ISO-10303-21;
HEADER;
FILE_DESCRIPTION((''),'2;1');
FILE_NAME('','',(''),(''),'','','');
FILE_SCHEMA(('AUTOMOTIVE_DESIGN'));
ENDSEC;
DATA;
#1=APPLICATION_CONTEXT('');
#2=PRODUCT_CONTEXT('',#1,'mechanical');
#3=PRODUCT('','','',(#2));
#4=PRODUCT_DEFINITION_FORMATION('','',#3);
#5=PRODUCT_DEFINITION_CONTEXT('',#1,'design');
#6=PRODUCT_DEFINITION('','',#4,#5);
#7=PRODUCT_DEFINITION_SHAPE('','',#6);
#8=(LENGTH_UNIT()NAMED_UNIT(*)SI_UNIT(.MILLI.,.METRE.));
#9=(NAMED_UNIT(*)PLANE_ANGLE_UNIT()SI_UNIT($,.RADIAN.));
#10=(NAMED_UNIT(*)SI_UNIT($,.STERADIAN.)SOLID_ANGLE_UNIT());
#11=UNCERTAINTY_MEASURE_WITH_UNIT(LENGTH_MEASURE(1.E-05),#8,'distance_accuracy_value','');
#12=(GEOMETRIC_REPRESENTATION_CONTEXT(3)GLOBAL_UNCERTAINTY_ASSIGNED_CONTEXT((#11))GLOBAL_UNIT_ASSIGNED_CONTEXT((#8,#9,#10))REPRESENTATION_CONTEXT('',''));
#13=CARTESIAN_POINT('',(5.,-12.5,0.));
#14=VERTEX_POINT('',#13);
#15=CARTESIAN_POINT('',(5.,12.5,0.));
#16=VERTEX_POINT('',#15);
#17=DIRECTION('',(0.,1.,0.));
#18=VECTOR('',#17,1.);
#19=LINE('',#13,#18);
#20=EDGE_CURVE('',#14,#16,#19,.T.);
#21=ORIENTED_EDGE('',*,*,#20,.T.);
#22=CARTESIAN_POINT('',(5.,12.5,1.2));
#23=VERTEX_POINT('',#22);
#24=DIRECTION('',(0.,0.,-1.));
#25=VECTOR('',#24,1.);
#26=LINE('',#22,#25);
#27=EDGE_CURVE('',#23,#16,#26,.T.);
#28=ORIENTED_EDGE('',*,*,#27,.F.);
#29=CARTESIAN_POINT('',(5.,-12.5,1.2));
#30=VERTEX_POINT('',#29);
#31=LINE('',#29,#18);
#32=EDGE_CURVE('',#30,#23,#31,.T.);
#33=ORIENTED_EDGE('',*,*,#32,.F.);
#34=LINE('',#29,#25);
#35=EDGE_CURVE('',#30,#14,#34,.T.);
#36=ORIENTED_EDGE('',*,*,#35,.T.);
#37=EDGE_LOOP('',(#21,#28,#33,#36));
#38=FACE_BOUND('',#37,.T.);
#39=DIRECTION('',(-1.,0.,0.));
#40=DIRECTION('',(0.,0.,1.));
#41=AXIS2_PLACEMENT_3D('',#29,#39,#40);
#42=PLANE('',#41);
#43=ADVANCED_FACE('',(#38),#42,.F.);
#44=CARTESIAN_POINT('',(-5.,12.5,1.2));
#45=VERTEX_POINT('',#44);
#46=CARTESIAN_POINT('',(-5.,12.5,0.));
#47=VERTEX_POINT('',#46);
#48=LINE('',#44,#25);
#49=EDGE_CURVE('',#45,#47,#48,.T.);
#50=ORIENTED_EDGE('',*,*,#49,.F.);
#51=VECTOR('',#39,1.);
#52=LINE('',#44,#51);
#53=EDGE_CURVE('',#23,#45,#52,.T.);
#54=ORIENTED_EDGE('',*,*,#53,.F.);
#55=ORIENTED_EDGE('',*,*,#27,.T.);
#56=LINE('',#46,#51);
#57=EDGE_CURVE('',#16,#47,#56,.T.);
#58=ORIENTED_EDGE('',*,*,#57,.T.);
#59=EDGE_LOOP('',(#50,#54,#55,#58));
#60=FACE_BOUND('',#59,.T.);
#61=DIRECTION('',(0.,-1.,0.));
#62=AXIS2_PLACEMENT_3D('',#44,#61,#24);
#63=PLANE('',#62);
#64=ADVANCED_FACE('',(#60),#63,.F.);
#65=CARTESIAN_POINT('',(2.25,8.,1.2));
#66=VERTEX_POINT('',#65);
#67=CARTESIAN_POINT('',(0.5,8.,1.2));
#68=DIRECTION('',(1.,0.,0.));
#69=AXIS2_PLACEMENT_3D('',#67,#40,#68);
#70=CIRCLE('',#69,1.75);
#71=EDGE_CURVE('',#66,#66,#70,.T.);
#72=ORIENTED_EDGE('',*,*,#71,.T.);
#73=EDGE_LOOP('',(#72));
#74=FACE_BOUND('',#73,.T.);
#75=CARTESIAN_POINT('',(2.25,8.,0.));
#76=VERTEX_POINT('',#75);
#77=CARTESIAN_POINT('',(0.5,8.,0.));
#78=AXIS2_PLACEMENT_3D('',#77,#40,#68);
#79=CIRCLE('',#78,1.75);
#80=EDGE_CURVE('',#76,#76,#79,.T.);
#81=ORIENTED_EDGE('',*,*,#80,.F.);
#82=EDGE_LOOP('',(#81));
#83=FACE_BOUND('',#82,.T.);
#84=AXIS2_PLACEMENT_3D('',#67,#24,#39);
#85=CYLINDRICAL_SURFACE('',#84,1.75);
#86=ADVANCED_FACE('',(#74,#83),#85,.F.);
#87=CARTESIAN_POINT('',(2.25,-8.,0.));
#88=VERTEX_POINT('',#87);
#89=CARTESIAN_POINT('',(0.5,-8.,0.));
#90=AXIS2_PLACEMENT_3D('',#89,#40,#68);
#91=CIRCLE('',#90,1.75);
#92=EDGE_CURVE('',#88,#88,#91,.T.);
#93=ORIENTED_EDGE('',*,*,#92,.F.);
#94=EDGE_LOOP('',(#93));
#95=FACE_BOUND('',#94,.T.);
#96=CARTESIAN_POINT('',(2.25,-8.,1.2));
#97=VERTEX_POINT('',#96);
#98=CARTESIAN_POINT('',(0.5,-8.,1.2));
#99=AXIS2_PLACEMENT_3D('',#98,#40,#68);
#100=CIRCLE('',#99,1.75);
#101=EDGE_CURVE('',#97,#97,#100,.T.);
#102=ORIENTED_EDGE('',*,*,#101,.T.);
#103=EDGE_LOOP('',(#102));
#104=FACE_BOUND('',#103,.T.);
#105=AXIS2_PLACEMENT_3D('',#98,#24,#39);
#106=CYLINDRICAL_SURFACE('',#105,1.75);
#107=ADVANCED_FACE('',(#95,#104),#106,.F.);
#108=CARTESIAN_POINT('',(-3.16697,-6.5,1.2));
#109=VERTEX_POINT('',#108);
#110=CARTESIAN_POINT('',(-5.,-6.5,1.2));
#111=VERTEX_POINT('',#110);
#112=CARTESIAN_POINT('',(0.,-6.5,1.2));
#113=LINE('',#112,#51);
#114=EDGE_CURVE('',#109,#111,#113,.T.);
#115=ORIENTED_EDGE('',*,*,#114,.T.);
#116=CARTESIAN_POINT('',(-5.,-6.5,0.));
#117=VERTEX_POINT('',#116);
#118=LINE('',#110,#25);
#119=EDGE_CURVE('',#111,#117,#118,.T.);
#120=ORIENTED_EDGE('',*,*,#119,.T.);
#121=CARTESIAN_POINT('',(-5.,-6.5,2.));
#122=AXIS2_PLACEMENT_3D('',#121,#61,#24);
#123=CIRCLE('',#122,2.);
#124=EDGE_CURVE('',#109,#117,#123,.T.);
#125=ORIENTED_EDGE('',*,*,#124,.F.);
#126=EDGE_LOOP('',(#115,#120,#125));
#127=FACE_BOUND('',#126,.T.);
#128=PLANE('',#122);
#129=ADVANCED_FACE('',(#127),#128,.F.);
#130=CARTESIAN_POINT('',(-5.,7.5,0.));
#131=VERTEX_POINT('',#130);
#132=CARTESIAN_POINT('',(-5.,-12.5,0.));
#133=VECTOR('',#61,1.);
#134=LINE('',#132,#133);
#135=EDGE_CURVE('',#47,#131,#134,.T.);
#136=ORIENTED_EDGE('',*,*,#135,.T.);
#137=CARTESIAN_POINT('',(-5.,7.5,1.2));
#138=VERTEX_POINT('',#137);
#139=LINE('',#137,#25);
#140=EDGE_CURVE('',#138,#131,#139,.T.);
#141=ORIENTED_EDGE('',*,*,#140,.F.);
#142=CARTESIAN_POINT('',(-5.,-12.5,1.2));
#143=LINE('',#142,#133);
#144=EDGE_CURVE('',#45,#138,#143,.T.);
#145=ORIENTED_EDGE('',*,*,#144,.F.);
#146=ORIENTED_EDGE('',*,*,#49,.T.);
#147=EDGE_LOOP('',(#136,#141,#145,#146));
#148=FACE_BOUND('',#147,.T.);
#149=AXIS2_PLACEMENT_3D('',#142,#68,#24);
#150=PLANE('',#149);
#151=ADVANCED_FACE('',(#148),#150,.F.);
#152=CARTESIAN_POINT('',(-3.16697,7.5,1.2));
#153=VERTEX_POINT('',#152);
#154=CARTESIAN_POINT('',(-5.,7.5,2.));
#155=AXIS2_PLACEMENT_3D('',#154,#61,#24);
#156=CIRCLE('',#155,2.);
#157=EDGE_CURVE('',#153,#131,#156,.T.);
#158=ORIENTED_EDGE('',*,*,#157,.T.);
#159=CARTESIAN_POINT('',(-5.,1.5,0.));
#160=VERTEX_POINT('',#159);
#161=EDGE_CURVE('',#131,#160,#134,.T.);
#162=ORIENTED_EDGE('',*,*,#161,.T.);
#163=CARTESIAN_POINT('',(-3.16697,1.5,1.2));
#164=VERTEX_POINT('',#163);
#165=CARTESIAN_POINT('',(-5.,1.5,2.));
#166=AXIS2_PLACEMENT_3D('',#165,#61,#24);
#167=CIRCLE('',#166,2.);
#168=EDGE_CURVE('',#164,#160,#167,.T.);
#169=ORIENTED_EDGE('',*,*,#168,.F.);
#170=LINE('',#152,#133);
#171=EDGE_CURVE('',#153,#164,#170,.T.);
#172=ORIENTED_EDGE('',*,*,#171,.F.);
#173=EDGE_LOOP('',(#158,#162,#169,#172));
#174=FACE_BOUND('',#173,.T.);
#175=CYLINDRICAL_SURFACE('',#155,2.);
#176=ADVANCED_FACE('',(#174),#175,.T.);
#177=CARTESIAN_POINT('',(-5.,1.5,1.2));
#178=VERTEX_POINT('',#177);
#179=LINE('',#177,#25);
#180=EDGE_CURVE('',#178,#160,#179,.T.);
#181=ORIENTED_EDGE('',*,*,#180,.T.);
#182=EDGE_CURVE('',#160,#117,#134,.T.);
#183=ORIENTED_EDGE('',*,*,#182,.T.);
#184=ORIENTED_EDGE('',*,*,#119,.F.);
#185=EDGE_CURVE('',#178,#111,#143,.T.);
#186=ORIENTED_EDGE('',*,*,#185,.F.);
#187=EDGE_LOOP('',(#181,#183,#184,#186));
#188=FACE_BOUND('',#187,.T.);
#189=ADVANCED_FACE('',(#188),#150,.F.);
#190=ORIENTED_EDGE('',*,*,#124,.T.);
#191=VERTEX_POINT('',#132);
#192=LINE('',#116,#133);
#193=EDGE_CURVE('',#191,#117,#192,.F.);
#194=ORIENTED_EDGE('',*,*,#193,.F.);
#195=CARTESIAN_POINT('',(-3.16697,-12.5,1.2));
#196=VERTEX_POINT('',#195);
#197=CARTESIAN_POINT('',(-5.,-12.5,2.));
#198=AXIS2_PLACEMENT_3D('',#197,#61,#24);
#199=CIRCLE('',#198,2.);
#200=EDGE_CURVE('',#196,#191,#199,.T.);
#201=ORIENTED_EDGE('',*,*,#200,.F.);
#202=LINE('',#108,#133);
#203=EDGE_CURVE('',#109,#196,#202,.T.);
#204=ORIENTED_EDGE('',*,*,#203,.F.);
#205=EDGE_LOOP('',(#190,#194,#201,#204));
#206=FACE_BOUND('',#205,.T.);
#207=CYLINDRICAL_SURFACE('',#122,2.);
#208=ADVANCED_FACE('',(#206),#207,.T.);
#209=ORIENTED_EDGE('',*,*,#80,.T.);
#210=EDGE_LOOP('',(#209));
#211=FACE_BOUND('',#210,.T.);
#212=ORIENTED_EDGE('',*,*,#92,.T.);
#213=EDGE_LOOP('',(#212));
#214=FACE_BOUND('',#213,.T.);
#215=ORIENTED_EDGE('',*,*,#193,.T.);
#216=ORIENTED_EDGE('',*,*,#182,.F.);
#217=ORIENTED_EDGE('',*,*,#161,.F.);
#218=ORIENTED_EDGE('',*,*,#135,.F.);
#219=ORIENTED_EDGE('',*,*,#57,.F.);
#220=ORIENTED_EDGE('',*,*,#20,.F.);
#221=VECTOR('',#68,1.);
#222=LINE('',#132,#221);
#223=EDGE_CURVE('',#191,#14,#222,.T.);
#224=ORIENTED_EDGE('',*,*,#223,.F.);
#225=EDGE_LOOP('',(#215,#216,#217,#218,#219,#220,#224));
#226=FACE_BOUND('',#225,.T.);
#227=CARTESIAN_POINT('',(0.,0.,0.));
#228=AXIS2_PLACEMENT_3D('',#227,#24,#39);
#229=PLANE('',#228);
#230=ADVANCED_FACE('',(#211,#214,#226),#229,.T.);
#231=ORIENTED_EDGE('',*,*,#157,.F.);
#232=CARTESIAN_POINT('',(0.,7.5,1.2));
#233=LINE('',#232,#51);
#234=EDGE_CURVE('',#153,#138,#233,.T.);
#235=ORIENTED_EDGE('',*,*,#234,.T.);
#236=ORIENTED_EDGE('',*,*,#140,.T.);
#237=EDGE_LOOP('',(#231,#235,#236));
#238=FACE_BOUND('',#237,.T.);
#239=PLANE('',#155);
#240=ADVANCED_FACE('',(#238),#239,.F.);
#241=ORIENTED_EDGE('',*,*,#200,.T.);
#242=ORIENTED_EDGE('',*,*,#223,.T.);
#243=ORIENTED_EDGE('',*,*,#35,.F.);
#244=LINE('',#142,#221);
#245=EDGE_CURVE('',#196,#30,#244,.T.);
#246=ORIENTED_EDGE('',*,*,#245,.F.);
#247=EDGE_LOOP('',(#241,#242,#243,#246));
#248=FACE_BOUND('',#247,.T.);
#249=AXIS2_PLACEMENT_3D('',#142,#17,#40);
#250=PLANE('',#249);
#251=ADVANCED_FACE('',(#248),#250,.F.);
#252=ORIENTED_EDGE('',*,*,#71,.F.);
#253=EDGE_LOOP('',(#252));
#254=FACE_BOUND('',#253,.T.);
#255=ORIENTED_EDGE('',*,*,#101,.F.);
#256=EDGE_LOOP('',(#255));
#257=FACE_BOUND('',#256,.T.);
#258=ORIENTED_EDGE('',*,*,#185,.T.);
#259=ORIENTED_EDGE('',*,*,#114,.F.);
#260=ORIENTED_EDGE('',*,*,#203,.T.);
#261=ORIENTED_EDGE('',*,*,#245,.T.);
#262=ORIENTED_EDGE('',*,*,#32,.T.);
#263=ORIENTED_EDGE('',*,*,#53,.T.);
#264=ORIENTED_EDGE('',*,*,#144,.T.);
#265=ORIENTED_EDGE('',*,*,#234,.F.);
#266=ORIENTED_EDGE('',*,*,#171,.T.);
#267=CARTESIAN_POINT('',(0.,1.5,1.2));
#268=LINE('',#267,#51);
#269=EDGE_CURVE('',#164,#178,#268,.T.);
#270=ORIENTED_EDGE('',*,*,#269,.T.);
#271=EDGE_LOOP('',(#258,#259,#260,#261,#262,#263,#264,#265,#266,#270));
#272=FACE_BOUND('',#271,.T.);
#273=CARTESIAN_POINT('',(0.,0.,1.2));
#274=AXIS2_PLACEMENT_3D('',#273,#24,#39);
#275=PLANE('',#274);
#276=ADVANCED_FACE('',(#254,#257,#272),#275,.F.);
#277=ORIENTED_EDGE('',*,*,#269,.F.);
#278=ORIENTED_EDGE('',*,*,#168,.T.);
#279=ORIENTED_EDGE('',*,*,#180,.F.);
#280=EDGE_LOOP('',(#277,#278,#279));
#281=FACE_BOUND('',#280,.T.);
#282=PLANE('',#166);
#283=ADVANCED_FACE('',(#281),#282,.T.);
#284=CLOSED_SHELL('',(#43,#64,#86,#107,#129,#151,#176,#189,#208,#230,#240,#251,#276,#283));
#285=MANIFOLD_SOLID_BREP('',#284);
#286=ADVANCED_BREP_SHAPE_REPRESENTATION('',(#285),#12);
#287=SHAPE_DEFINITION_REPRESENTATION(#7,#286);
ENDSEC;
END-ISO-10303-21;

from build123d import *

# Parameters (mm, degrees)
SKETCH_1_W             = 10
SKETCH_1_H             = 25
SKETCH_1_R             = 1.75
EXTRUDE_1_DEPTH        = 1.2
SKETCH_3_R             = 2
EXTRUDE_3_DEPTH        = 6
PATTERN_LINEAR_2_COUNT = 2
PATTERN_LINEAR_2_PITCH = 14


with BuildPart() as part:
    # 草图1 → 凸台-拉伸1 (new body)
    with BuildSketch(Plane.XY):
        Rectangle(SKETCH_1_W, SKETCH_1_H)
        with Locations((0.5, 8)):
            Circle(SKETCH_1_R, mode=Mode.SUBTRACT)
        with Locations((0.5, -8)):
            Circle(SKETCH_1_R, mode=Mode.SUBTRACT)
    extrude(amount=EXTRUDE_1_DEPTH)

    # 草图3 → 凸台-拉伸3 (add)
    with BuildSketch(Plane.XZ.offset(12.5)):
        with Locations((-5, 2)):
            Circle(SKETCH_3_R)
    extrude_3 = extrude(amount=-EXTRUDE_3_DEPTH)

    # 阵列(线性)2: 凸台-拉伸3 ×2
    with Locations(*[(0, i * PATTERN_LINEAR_2_PITCH, 0) for i in range(1, PATTERN_LINEAR_2_COUNT)]):
        add(extrude_3)


solid = part.part
